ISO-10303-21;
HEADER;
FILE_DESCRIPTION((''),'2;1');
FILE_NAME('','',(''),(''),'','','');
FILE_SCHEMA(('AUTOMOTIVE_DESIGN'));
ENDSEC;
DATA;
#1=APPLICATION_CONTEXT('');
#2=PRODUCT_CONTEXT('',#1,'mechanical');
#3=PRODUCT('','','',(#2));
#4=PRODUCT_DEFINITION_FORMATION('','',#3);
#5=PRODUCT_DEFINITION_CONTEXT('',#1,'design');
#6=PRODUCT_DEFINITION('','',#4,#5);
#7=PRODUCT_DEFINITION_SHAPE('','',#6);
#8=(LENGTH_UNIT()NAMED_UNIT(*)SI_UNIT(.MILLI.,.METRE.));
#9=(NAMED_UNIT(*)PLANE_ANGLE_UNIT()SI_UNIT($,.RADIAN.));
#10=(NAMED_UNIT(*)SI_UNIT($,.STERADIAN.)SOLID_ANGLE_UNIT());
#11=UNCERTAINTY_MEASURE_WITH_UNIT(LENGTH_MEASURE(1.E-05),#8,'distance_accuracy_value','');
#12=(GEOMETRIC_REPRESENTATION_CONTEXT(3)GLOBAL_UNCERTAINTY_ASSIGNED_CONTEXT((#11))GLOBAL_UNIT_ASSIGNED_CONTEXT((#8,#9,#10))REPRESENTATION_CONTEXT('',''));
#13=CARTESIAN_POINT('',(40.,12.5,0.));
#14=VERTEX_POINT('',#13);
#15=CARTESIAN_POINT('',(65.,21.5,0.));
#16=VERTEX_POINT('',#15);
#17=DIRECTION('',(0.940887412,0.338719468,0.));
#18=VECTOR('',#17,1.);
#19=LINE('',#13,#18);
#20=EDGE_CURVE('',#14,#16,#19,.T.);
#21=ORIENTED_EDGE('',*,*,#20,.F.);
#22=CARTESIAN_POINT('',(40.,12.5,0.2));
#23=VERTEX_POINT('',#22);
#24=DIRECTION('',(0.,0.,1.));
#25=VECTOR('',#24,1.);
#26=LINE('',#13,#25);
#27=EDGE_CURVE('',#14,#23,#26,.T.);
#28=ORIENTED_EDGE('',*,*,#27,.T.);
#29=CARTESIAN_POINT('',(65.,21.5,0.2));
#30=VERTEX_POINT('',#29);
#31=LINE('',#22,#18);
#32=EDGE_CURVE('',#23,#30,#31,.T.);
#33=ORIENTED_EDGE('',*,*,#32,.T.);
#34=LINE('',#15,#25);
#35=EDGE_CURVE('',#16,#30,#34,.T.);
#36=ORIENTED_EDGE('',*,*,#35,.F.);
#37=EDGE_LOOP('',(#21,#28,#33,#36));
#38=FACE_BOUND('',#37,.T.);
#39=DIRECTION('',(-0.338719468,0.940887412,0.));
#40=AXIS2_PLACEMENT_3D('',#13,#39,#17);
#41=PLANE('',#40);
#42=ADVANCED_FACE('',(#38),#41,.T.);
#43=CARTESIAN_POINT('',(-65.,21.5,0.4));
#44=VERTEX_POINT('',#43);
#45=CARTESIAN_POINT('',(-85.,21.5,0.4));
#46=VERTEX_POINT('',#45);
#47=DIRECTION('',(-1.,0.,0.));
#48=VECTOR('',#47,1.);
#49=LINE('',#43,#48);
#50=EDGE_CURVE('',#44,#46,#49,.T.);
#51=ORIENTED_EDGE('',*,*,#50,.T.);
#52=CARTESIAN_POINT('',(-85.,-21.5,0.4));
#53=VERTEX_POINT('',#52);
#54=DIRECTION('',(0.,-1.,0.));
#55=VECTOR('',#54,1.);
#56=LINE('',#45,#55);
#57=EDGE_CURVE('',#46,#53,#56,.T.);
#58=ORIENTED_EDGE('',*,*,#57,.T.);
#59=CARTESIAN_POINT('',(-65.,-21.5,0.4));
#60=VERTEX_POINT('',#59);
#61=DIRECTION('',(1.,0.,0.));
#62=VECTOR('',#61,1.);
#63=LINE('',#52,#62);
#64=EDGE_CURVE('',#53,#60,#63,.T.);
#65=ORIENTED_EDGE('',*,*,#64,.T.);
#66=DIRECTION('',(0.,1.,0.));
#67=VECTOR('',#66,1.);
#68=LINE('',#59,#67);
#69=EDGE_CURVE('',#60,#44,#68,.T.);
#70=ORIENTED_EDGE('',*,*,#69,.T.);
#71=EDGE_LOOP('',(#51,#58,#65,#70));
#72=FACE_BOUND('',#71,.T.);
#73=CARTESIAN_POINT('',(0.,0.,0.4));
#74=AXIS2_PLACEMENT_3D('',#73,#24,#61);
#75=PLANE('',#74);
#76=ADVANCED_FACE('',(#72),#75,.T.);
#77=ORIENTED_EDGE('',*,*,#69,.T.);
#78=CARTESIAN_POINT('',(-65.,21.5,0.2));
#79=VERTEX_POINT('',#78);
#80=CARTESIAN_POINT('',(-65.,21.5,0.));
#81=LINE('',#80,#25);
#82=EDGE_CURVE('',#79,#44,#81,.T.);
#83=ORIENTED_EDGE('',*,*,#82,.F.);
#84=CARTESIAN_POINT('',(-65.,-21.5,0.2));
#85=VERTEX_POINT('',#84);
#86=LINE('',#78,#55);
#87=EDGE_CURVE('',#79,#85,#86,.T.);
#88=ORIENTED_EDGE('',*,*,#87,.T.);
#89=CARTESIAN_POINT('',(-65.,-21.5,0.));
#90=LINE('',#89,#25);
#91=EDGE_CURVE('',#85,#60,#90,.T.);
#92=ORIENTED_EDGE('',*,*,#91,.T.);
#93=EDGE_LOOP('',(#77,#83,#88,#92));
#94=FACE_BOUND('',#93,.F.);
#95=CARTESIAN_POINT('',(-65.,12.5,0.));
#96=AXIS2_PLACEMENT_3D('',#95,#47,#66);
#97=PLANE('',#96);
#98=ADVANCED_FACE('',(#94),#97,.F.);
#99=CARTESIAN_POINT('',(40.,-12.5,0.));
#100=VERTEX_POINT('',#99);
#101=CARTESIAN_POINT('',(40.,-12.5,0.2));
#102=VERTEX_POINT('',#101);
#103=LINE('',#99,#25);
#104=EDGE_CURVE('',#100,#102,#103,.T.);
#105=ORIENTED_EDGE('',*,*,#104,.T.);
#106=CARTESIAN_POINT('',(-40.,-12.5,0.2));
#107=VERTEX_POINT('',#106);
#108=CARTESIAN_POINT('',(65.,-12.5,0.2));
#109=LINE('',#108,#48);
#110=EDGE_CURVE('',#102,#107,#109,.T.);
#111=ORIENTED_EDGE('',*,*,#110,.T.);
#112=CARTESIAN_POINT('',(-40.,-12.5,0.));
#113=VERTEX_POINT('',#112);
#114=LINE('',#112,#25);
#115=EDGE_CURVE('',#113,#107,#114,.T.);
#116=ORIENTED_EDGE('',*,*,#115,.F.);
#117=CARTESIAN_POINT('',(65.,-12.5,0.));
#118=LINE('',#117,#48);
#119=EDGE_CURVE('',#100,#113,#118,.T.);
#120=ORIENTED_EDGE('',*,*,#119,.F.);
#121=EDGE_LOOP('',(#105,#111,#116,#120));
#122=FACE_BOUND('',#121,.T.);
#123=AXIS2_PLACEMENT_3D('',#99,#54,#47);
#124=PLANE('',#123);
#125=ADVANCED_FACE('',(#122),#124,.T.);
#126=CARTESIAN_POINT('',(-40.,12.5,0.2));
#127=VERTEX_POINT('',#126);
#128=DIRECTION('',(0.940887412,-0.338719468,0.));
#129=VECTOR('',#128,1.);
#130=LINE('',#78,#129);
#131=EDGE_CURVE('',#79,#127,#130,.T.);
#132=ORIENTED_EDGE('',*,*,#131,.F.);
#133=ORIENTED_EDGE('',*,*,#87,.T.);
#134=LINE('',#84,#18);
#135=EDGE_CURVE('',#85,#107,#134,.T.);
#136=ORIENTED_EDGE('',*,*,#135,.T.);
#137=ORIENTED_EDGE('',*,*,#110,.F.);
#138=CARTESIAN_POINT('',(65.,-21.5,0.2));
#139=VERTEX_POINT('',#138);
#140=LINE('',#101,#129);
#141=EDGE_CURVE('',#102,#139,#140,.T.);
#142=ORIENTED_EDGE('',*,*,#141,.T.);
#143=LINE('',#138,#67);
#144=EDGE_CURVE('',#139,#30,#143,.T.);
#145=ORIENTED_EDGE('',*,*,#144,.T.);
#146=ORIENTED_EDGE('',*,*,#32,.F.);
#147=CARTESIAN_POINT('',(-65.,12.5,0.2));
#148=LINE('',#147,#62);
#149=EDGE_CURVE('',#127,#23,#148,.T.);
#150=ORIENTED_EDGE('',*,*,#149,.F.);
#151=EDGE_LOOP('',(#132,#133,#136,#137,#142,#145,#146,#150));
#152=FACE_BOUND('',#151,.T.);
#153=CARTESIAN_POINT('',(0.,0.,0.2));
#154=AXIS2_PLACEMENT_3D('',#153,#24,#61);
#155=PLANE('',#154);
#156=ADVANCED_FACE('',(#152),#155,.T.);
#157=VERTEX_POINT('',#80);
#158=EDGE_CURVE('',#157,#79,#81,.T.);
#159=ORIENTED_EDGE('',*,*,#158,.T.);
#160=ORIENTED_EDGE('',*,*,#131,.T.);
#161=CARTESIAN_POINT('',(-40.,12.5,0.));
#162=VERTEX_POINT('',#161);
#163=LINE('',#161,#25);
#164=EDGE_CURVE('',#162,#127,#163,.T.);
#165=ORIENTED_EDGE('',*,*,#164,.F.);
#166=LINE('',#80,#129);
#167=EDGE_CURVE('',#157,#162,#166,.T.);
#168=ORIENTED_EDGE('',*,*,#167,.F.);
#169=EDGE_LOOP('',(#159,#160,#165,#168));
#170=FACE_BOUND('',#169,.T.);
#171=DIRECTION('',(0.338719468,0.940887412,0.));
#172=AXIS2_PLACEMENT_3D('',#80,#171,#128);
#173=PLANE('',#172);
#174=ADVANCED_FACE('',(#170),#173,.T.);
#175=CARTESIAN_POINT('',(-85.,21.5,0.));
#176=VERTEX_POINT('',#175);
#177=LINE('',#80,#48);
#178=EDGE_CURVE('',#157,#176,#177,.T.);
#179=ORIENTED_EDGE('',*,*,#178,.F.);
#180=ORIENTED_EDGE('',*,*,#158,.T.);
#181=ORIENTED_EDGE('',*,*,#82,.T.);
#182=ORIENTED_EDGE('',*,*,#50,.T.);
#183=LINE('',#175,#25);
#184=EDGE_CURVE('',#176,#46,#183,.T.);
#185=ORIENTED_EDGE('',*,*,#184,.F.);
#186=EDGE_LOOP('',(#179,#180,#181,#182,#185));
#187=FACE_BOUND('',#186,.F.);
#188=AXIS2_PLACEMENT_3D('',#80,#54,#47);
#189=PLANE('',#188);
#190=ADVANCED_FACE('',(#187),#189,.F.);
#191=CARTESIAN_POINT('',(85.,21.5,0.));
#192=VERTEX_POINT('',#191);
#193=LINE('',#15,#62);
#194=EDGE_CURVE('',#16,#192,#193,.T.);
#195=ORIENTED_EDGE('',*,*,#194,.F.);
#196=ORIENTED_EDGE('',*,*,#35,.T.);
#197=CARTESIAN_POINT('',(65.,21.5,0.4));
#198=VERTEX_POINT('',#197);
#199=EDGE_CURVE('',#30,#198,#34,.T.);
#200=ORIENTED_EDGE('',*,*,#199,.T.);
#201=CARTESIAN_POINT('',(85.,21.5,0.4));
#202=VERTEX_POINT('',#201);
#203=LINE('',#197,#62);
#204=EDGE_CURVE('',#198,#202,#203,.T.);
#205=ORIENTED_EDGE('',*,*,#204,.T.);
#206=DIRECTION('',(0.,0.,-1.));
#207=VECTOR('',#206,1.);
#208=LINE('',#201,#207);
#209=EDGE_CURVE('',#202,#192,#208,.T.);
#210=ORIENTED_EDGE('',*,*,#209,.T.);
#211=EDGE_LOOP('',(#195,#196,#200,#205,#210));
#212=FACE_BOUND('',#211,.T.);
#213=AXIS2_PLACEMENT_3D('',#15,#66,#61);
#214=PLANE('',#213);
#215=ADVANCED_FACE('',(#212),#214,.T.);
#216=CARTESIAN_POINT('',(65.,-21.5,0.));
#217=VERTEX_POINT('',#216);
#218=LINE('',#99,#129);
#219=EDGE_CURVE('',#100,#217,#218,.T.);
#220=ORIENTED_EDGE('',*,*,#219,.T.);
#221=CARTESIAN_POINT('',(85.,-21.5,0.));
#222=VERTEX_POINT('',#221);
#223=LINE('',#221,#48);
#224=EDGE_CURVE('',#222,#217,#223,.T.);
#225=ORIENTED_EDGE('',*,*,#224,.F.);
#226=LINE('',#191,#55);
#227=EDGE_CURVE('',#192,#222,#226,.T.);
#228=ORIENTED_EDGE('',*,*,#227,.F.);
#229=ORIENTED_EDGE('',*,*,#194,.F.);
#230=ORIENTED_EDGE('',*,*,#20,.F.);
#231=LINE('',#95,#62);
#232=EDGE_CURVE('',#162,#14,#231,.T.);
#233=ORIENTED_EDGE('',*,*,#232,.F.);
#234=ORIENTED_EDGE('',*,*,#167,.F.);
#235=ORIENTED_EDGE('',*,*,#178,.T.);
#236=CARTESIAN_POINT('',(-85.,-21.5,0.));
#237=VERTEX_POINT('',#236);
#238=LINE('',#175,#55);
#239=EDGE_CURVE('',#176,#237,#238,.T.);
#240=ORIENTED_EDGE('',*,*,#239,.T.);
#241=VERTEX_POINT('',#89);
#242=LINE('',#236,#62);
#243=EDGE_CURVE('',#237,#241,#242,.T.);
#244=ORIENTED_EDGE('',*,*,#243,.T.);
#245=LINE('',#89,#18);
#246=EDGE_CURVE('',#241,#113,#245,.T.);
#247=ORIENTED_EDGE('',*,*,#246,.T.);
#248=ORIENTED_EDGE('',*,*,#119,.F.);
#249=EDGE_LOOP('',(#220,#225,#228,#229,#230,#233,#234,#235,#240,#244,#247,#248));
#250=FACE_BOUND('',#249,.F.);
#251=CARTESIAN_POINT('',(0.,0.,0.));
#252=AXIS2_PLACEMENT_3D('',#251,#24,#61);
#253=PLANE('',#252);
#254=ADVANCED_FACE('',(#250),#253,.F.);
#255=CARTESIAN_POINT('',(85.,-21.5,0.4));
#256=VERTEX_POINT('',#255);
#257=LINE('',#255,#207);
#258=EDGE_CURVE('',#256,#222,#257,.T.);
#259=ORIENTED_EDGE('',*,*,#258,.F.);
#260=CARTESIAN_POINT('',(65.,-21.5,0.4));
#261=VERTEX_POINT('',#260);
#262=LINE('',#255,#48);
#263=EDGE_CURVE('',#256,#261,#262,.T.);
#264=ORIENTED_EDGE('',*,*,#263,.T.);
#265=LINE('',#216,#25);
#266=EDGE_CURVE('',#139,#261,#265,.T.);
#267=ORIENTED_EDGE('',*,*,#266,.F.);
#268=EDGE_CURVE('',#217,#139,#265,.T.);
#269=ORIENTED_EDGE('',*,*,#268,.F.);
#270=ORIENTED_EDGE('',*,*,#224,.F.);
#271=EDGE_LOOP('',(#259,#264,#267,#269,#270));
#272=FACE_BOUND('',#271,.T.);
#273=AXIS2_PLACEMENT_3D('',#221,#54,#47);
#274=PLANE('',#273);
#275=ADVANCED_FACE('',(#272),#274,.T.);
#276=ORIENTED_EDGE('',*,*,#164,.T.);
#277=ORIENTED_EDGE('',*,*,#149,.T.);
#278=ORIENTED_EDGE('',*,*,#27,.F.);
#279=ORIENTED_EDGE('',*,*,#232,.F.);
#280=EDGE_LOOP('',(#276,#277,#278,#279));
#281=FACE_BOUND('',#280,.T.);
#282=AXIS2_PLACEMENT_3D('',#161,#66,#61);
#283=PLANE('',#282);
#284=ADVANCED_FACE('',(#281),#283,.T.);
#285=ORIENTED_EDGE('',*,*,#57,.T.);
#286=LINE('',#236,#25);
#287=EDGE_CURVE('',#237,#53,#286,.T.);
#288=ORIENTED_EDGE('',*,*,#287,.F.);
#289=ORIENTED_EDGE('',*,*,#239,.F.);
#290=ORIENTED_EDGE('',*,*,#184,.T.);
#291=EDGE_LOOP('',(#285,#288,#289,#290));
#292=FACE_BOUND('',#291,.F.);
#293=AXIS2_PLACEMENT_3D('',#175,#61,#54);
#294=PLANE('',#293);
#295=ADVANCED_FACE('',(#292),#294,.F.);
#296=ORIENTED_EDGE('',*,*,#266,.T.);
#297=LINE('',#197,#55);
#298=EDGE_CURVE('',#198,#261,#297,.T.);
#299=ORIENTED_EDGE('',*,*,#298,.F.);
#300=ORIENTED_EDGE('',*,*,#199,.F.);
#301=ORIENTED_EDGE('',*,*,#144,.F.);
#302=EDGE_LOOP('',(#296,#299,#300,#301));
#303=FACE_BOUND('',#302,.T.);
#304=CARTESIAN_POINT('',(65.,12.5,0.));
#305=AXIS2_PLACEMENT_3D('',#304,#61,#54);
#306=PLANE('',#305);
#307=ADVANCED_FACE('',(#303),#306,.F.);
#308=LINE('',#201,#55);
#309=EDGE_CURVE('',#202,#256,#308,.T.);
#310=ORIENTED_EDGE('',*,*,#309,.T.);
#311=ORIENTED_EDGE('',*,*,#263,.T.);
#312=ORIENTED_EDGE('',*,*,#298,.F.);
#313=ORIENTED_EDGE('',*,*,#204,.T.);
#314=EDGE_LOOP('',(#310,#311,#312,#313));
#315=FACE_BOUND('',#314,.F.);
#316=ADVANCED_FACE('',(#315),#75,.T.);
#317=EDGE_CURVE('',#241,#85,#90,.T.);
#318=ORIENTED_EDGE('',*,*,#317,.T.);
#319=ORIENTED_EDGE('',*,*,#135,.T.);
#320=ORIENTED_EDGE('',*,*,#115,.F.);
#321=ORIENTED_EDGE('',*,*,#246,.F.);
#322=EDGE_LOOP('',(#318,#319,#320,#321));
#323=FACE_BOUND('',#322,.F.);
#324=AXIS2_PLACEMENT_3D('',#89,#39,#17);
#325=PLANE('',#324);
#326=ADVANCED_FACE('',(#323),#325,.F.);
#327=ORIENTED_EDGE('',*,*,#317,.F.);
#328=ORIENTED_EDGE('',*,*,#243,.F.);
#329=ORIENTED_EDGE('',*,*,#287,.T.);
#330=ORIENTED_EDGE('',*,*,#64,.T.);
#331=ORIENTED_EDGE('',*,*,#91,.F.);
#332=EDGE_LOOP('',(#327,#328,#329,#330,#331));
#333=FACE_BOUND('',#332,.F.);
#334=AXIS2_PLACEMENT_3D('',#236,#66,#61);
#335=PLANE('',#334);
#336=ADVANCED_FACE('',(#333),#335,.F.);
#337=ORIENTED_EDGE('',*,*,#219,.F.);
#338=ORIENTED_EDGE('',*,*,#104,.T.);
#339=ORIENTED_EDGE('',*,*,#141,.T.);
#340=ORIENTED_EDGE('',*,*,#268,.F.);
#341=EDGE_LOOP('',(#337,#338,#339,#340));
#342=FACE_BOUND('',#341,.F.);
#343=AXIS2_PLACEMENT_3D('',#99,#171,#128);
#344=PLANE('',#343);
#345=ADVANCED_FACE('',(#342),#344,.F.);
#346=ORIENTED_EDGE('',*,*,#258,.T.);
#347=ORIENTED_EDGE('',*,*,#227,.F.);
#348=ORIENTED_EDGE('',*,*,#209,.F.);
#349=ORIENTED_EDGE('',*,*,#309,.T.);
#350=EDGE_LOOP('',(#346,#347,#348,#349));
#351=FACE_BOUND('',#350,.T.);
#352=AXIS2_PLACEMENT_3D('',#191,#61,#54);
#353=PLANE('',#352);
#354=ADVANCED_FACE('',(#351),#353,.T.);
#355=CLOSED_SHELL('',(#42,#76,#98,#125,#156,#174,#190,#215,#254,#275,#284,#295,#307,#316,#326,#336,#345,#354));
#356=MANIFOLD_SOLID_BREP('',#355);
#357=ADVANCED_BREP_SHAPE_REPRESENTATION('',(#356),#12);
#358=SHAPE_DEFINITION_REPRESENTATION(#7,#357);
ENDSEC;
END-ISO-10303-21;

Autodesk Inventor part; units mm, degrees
ref_plane "YZ Plane" through (0, 0, 0) normal (1, 0, 0) x (0, 1, 0)
ref_plane "XZ Plane" through (0, 0, 0) normal (0, 1, 0) x (-1, 0, 0)
ref_plane "XY Plane" through (0, 0, 0) normal (0, 0, 1) x (1, 0, 0)
sketch "Sketch1" plane through (0, 0, 0) normal (0, 0, 1) x (1, 0, 0)
  line L0 (-65, 12.5) -> (65, 12.5)
  line L1 (65, 12.5) -> (65, -12.5)
  line L2 (65, -12.5) -> (-65, -12.5)
  line L3 (-65, -12.5) -> (-65, 12.5)
  line L4 (-65, 12.5) -> (-65, 21.5)
  line L5 (-65, -12.5) -> (-65, -21.5)
  line L6 (65, 12.5) -> (65, 21.5)
  line L7 (65, -12.5) -> (65, -21.5)
  line L8 (-65, 21.5) -> (-40, 12.5)
  line L9 (-65, -21.5) -> (-40, -12.5)
  line L10 (40, -12.5) -> (65, -21.5)
  line L11 (40, 12.5) -> (65, 21.5)
  line L12 (65, -10.7019) -> (65, -12.5)
  line L13 (-40, 30.8502) -> (-40, -39.2706) construction
  line L14 (40, 30.8502) -> (40, -39.2706) construction
  line L15 (-122.9274, 0) -> (95.3205, 0) construction
  line L16 (0, 69.381) -> (0, -63.5203) construction
  line L17 (-65, 21.5) -> (-85, 21.5)
  line L18 (-85, 21.5) -> (-85, -21.5)
  line L19 (-85, -21.5) -> (-65, -21.5)
  line L20 (-65, -21.5) -> (-65, 21.5)
  line L21 (65, 21.5) -> (85, 21.5)
  line L22 (85, 21.5) -> (85, -21.5)
  line L23 (85, -21.5) -> (65, -21.5)
  line L24 (65, -21.5) -> (65, 21.5)
  line L25 (-65, 21.5) -> (-65, -21.5)
  point P0 (0, 0)
  point P1 (0, 0)
  point P2 (-65, 0)
  point P3 (0, 12.5)
  dimension "d0" = 130
  dimension "d1" = 25
  dimension "d2" = 40
  dimension "d3" = 40
  dimension "d4" = 20
  dimension "d5" = 20
  dimension "d15" = 43
extrude "Extrusion1" add sketch "Sketch1" along normal blind 0.2
extrude "Extrusion3" add sketch "Sketch1" along normal blind 0.4 contours L3 L5 L19 L18 L17 L4
mirror "Mirror2" about plane through (0, 0, 0) normal (1, 0, 0) of "Extrusion3"
equation "\"d11\" = material"
equation "\"d16\" = 2 * material"
equation "\"material\" = 0.2"
properties part number "BandMiddle"
